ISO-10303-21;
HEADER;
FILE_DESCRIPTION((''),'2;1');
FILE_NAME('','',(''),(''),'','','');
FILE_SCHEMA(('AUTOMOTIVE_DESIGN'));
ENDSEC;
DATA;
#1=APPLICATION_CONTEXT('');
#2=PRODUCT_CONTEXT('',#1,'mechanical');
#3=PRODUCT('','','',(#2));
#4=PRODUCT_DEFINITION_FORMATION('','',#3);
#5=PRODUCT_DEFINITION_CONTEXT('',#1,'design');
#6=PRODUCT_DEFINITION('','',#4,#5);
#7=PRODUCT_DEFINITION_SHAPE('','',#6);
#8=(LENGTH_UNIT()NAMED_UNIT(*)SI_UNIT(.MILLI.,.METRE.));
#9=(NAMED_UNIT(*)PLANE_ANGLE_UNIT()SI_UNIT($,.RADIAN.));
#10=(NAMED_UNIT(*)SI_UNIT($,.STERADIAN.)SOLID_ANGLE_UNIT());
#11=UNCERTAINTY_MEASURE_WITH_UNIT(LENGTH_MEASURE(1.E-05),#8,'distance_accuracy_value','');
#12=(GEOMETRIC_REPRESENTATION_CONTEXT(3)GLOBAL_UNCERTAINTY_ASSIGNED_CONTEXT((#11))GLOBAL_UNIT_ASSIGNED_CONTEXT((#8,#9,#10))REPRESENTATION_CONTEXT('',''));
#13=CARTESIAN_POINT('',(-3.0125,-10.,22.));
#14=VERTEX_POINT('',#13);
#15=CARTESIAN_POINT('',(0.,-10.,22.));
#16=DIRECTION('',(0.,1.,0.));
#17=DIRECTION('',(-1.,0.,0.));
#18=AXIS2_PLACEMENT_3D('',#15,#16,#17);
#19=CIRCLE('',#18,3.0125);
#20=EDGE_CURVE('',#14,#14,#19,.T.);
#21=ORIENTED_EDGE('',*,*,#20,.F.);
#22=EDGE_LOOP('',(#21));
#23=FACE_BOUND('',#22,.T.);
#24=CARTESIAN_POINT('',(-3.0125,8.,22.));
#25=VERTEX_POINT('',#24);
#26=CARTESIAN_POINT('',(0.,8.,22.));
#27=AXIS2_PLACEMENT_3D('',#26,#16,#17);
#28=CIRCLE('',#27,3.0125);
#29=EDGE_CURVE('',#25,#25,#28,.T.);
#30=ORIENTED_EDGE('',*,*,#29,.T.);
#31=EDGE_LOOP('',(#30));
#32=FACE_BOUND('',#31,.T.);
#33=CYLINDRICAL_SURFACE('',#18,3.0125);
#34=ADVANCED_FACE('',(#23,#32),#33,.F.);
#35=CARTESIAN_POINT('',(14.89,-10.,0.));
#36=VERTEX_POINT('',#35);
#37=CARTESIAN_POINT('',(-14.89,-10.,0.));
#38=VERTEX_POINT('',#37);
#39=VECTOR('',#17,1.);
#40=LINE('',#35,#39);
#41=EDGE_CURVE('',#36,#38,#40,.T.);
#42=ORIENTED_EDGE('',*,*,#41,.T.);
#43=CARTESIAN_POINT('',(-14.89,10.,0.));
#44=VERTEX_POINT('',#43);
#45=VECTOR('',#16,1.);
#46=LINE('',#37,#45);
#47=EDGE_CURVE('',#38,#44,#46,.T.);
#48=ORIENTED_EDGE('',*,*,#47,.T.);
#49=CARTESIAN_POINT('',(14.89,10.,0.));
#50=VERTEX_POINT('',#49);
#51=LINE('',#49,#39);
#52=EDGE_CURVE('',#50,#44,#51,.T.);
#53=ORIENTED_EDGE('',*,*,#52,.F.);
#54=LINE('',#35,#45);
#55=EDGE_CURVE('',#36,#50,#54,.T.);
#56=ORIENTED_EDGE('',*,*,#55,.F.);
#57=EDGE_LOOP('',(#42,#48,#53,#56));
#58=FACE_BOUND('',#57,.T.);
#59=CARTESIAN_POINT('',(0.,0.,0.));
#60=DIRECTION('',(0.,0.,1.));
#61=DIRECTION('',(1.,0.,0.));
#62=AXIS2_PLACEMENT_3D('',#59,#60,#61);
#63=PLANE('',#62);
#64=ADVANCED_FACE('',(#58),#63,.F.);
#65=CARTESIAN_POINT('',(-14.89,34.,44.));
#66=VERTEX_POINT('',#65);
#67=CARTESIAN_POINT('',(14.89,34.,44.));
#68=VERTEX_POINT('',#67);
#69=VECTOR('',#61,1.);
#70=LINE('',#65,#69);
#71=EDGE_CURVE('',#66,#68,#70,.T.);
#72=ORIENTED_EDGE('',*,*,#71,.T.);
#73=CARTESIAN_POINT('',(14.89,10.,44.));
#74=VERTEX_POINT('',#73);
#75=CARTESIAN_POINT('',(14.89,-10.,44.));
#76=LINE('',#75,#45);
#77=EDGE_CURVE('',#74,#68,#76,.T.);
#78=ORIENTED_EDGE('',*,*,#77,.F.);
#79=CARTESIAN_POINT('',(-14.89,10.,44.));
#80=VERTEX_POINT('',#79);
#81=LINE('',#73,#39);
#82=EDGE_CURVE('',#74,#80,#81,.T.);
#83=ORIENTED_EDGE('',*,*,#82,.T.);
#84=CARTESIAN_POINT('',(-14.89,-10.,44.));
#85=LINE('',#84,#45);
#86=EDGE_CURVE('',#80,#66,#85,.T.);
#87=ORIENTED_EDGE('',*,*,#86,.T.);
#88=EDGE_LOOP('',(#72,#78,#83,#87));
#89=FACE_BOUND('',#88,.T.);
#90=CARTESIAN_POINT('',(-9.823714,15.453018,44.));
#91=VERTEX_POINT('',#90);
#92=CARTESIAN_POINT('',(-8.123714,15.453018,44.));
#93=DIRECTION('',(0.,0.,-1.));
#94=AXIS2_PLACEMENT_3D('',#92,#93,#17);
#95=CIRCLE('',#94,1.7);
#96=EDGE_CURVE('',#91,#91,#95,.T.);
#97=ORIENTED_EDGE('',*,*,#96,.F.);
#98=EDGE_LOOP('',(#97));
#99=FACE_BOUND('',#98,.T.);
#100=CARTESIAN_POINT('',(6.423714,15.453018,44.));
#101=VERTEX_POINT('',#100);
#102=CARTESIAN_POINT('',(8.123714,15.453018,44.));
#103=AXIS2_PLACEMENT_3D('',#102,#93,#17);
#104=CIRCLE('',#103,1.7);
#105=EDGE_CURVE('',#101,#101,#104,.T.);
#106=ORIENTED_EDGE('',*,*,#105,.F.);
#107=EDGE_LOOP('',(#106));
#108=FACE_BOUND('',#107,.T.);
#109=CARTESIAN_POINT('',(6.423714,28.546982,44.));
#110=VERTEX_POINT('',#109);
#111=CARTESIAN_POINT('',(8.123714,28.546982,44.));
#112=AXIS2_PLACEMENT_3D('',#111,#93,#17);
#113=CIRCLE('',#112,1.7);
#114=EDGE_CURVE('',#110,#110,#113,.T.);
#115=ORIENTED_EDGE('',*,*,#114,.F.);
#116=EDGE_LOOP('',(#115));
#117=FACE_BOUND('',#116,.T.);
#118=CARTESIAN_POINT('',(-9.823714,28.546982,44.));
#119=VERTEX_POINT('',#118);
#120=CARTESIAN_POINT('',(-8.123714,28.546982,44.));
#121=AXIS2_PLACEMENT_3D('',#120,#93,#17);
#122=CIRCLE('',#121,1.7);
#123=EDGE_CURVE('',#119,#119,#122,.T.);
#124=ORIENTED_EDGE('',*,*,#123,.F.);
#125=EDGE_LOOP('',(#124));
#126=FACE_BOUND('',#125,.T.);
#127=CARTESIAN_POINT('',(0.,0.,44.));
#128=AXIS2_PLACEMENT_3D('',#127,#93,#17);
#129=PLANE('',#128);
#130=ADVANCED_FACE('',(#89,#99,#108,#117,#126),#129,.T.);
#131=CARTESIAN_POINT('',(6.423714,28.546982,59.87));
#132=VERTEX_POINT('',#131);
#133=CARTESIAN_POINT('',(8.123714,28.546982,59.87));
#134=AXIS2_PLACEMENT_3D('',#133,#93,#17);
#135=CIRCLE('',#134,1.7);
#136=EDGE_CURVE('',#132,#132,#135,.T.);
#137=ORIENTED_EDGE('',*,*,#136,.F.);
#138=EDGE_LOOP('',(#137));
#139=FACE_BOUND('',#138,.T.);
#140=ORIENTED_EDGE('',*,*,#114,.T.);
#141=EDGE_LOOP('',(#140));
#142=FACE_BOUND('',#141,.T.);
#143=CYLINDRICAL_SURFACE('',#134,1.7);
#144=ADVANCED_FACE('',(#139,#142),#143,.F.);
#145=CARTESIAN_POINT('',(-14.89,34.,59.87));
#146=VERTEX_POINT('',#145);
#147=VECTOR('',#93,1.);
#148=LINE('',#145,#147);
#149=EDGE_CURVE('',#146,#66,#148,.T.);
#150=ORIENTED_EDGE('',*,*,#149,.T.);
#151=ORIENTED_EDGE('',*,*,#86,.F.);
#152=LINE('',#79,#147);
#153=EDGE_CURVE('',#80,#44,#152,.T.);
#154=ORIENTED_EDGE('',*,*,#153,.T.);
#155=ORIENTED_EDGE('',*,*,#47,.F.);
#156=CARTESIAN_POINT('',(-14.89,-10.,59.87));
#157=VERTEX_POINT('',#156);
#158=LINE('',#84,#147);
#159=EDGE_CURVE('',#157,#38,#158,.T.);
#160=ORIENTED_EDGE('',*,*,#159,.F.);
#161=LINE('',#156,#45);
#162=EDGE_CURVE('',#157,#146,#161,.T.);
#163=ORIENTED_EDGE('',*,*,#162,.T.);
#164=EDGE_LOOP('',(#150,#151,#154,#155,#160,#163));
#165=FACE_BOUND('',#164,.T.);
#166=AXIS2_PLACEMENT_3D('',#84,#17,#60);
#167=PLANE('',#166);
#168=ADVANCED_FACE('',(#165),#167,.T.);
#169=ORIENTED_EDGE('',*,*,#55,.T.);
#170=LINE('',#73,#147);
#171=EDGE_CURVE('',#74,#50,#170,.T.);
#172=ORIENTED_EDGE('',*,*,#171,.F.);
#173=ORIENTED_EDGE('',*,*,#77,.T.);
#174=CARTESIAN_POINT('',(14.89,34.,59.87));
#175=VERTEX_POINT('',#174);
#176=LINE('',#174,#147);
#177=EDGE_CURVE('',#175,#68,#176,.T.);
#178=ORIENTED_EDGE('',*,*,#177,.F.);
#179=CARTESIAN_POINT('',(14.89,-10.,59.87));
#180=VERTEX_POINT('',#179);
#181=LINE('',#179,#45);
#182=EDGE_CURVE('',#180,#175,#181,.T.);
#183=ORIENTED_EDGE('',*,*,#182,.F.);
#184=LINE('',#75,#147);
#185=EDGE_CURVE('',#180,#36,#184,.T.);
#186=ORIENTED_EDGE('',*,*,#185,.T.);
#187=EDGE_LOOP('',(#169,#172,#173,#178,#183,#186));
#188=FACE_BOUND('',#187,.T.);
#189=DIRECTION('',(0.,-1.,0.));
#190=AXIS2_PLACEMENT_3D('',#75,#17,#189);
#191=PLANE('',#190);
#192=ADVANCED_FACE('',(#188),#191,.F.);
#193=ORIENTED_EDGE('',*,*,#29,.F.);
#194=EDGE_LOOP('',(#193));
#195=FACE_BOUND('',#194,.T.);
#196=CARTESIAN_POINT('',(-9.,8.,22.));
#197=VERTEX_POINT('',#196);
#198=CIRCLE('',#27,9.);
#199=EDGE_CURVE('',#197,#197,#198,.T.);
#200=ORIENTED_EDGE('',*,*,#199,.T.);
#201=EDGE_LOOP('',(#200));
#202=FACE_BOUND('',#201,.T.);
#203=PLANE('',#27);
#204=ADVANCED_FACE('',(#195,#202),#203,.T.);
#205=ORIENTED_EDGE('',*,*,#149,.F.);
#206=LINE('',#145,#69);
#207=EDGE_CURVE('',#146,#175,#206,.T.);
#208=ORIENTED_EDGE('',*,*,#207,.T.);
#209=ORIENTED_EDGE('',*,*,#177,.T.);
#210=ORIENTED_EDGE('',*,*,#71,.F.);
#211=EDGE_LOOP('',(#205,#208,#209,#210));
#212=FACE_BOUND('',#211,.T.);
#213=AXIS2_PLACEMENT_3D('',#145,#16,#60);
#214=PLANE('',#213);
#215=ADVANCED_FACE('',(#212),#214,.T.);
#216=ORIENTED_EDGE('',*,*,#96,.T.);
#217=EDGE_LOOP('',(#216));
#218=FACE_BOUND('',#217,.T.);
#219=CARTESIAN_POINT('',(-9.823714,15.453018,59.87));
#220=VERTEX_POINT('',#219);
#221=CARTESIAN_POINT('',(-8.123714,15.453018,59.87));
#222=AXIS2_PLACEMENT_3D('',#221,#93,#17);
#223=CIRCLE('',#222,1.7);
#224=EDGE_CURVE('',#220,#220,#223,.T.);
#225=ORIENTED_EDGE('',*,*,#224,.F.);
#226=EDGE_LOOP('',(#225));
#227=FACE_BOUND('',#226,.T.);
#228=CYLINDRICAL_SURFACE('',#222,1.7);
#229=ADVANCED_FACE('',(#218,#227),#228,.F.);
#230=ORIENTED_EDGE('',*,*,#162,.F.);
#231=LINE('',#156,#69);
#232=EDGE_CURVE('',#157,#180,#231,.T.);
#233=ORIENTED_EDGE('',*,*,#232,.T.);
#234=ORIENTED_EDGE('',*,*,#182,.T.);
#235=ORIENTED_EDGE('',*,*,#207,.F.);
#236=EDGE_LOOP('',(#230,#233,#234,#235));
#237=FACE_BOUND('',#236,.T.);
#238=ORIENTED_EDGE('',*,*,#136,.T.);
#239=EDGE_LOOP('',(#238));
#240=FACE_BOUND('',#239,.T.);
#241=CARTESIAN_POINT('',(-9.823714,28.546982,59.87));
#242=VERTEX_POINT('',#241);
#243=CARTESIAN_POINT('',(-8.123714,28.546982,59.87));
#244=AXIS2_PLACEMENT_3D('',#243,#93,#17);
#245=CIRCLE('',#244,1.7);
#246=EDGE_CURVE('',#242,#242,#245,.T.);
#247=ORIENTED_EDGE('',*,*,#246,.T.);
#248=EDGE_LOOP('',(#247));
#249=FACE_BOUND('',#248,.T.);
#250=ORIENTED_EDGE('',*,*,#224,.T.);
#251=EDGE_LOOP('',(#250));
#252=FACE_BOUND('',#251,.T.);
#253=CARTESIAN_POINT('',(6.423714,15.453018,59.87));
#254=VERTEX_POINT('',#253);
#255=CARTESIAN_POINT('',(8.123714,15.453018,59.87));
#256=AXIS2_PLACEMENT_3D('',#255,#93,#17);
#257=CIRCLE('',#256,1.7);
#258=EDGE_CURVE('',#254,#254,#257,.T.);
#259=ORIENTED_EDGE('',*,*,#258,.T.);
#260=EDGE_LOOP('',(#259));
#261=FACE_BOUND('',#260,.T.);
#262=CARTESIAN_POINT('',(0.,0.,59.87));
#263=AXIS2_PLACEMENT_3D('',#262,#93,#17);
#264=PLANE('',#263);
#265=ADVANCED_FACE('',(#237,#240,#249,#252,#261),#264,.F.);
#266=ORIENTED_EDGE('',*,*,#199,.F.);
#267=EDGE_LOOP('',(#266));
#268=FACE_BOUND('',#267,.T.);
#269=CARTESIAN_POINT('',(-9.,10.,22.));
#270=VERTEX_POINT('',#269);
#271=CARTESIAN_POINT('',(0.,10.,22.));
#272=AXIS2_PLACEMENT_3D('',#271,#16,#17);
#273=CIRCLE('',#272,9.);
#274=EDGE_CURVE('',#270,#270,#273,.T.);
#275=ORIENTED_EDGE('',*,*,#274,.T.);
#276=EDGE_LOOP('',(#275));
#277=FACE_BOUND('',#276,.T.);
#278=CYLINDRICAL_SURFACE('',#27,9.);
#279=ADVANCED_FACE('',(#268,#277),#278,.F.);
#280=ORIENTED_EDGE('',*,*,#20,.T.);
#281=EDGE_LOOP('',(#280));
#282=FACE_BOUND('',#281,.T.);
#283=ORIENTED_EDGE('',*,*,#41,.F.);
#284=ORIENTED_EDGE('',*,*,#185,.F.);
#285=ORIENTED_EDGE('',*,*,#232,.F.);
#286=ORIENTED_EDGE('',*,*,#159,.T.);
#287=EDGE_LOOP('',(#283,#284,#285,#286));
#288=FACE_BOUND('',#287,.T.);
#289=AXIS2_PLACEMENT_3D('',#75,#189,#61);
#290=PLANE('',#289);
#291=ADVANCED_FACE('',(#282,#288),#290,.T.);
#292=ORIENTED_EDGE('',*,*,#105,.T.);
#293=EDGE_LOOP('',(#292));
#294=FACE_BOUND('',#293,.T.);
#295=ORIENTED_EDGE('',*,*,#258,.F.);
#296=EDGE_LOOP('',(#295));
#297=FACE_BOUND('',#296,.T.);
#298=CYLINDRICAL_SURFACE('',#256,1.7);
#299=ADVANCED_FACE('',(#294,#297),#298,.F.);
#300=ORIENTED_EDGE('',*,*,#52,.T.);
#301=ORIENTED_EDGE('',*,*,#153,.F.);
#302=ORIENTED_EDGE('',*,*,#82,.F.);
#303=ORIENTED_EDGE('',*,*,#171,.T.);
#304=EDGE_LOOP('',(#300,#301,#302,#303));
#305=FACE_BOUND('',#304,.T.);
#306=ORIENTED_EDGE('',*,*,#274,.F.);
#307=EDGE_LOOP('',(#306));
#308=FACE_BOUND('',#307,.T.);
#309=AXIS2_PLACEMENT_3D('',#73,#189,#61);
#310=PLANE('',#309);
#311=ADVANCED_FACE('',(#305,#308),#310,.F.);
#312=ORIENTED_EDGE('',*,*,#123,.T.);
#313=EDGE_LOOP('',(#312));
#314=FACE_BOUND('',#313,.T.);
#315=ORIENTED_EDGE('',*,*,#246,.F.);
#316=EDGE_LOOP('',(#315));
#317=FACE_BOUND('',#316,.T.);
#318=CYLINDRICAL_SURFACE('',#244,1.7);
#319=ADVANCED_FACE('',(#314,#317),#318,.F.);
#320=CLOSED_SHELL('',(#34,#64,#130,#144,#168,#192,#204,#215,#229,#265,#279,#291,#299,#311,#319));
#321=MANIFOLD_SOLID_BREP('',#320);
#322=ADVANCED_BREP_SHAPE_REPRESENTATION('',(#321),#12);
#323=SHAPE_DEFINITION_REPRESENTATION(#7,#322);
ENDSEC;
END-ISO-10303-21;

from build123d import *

# Parameters (mm, degrees)
SKETCH1_W           = 29.78
SKETCH1_H           = 20
BOSS_EXTRUDE2_DEPTH = 44
SKETCH4_W           = 29.78
SKETCH4_H           = 44
BOSS_EXTRUDE3_DEPTH = 15.87
SKETCH5_R           = 9
CUT_EXTRUDE1_DEPTH  = 2
SKETCH7_R           = 3.0125
CUT_EXTRUDE2_DEPTH  = 67.948704244
SKETCH8_R           = 1.7
CUT_EXTRUDE3_DEPTH  = 58.564851255


with BuildPart() as part:
    # Sketch1 → Boss-Extrude2 (new body)
    with BuildSketch(Plane.XY):
        Rectangle(SKETCH1_W, SKETCH1_H)
    extrude(amount=BOSS_EXTRUDE2_DEPTH)

    # Sketch4 → Boss-Extrude3 (add)
    with BuildSketch(Plane.XY.offset(44)):
        with Locations((0, 12)):
            Rectangle(SKETCH4_W, SKETCH4_H)
    extrude(amount=BOSS_EXTRUDE3_DEPTH)

    # Sketch5 → Cut-Extrude1 (cut)
    with BuildSketch(Plane(origin=(0, 10, 0), x_dir=(1, 0, 0), z_dir=(0, 1, 0))):
        with Locations(Location((0, -22, 0), (0, 0, 180))):
            Circle(SKETCH5_R)
    extrude(amount=-CUT_EXTRUDE1_DEPTH, mode=Mode.SUBTRACT)

    # Sketch7 → Cut-Extrude2 (cut, through all)
    with BuildSketch(Plane(origin=(0, 8, 0), x_dir=(1, 0, 0), z_dir=(0, 1, 0))):
        with Locations(Location((0, -22, 0), (0, 0, 180))):
            Circle(SKETCH7_R)
    extrude(amount=-CUT_EXTRUDE2_DEPTH, mode=Mode.SUBTRACT)

    # Sketch8 → Cut-Extrude3 (cut, through all)
    with BuildSketch(Plane(origin=(0, 0, 44), x_dir=(-1, 0, 0), z_dir=(0, 0, -1))):
        with Locations((-8.123713821, 28.54698226)):
            Circle(SKETCH8_R)
        with Locations((8.123713821, 28.54698226)):
            Circle(SKETCH8_R)
        with Locations((-8.123713821, 15.45301774)):
            Circle(SKETCH8_R)
        with Locations((8.123713821, 15.45301774)):
            Circle(SKETCH8_R)
    extrude(amount=-CUT_EXTRUDE3_DEPTH, mode=Mode.SUBTRACT)


solid = part.part
